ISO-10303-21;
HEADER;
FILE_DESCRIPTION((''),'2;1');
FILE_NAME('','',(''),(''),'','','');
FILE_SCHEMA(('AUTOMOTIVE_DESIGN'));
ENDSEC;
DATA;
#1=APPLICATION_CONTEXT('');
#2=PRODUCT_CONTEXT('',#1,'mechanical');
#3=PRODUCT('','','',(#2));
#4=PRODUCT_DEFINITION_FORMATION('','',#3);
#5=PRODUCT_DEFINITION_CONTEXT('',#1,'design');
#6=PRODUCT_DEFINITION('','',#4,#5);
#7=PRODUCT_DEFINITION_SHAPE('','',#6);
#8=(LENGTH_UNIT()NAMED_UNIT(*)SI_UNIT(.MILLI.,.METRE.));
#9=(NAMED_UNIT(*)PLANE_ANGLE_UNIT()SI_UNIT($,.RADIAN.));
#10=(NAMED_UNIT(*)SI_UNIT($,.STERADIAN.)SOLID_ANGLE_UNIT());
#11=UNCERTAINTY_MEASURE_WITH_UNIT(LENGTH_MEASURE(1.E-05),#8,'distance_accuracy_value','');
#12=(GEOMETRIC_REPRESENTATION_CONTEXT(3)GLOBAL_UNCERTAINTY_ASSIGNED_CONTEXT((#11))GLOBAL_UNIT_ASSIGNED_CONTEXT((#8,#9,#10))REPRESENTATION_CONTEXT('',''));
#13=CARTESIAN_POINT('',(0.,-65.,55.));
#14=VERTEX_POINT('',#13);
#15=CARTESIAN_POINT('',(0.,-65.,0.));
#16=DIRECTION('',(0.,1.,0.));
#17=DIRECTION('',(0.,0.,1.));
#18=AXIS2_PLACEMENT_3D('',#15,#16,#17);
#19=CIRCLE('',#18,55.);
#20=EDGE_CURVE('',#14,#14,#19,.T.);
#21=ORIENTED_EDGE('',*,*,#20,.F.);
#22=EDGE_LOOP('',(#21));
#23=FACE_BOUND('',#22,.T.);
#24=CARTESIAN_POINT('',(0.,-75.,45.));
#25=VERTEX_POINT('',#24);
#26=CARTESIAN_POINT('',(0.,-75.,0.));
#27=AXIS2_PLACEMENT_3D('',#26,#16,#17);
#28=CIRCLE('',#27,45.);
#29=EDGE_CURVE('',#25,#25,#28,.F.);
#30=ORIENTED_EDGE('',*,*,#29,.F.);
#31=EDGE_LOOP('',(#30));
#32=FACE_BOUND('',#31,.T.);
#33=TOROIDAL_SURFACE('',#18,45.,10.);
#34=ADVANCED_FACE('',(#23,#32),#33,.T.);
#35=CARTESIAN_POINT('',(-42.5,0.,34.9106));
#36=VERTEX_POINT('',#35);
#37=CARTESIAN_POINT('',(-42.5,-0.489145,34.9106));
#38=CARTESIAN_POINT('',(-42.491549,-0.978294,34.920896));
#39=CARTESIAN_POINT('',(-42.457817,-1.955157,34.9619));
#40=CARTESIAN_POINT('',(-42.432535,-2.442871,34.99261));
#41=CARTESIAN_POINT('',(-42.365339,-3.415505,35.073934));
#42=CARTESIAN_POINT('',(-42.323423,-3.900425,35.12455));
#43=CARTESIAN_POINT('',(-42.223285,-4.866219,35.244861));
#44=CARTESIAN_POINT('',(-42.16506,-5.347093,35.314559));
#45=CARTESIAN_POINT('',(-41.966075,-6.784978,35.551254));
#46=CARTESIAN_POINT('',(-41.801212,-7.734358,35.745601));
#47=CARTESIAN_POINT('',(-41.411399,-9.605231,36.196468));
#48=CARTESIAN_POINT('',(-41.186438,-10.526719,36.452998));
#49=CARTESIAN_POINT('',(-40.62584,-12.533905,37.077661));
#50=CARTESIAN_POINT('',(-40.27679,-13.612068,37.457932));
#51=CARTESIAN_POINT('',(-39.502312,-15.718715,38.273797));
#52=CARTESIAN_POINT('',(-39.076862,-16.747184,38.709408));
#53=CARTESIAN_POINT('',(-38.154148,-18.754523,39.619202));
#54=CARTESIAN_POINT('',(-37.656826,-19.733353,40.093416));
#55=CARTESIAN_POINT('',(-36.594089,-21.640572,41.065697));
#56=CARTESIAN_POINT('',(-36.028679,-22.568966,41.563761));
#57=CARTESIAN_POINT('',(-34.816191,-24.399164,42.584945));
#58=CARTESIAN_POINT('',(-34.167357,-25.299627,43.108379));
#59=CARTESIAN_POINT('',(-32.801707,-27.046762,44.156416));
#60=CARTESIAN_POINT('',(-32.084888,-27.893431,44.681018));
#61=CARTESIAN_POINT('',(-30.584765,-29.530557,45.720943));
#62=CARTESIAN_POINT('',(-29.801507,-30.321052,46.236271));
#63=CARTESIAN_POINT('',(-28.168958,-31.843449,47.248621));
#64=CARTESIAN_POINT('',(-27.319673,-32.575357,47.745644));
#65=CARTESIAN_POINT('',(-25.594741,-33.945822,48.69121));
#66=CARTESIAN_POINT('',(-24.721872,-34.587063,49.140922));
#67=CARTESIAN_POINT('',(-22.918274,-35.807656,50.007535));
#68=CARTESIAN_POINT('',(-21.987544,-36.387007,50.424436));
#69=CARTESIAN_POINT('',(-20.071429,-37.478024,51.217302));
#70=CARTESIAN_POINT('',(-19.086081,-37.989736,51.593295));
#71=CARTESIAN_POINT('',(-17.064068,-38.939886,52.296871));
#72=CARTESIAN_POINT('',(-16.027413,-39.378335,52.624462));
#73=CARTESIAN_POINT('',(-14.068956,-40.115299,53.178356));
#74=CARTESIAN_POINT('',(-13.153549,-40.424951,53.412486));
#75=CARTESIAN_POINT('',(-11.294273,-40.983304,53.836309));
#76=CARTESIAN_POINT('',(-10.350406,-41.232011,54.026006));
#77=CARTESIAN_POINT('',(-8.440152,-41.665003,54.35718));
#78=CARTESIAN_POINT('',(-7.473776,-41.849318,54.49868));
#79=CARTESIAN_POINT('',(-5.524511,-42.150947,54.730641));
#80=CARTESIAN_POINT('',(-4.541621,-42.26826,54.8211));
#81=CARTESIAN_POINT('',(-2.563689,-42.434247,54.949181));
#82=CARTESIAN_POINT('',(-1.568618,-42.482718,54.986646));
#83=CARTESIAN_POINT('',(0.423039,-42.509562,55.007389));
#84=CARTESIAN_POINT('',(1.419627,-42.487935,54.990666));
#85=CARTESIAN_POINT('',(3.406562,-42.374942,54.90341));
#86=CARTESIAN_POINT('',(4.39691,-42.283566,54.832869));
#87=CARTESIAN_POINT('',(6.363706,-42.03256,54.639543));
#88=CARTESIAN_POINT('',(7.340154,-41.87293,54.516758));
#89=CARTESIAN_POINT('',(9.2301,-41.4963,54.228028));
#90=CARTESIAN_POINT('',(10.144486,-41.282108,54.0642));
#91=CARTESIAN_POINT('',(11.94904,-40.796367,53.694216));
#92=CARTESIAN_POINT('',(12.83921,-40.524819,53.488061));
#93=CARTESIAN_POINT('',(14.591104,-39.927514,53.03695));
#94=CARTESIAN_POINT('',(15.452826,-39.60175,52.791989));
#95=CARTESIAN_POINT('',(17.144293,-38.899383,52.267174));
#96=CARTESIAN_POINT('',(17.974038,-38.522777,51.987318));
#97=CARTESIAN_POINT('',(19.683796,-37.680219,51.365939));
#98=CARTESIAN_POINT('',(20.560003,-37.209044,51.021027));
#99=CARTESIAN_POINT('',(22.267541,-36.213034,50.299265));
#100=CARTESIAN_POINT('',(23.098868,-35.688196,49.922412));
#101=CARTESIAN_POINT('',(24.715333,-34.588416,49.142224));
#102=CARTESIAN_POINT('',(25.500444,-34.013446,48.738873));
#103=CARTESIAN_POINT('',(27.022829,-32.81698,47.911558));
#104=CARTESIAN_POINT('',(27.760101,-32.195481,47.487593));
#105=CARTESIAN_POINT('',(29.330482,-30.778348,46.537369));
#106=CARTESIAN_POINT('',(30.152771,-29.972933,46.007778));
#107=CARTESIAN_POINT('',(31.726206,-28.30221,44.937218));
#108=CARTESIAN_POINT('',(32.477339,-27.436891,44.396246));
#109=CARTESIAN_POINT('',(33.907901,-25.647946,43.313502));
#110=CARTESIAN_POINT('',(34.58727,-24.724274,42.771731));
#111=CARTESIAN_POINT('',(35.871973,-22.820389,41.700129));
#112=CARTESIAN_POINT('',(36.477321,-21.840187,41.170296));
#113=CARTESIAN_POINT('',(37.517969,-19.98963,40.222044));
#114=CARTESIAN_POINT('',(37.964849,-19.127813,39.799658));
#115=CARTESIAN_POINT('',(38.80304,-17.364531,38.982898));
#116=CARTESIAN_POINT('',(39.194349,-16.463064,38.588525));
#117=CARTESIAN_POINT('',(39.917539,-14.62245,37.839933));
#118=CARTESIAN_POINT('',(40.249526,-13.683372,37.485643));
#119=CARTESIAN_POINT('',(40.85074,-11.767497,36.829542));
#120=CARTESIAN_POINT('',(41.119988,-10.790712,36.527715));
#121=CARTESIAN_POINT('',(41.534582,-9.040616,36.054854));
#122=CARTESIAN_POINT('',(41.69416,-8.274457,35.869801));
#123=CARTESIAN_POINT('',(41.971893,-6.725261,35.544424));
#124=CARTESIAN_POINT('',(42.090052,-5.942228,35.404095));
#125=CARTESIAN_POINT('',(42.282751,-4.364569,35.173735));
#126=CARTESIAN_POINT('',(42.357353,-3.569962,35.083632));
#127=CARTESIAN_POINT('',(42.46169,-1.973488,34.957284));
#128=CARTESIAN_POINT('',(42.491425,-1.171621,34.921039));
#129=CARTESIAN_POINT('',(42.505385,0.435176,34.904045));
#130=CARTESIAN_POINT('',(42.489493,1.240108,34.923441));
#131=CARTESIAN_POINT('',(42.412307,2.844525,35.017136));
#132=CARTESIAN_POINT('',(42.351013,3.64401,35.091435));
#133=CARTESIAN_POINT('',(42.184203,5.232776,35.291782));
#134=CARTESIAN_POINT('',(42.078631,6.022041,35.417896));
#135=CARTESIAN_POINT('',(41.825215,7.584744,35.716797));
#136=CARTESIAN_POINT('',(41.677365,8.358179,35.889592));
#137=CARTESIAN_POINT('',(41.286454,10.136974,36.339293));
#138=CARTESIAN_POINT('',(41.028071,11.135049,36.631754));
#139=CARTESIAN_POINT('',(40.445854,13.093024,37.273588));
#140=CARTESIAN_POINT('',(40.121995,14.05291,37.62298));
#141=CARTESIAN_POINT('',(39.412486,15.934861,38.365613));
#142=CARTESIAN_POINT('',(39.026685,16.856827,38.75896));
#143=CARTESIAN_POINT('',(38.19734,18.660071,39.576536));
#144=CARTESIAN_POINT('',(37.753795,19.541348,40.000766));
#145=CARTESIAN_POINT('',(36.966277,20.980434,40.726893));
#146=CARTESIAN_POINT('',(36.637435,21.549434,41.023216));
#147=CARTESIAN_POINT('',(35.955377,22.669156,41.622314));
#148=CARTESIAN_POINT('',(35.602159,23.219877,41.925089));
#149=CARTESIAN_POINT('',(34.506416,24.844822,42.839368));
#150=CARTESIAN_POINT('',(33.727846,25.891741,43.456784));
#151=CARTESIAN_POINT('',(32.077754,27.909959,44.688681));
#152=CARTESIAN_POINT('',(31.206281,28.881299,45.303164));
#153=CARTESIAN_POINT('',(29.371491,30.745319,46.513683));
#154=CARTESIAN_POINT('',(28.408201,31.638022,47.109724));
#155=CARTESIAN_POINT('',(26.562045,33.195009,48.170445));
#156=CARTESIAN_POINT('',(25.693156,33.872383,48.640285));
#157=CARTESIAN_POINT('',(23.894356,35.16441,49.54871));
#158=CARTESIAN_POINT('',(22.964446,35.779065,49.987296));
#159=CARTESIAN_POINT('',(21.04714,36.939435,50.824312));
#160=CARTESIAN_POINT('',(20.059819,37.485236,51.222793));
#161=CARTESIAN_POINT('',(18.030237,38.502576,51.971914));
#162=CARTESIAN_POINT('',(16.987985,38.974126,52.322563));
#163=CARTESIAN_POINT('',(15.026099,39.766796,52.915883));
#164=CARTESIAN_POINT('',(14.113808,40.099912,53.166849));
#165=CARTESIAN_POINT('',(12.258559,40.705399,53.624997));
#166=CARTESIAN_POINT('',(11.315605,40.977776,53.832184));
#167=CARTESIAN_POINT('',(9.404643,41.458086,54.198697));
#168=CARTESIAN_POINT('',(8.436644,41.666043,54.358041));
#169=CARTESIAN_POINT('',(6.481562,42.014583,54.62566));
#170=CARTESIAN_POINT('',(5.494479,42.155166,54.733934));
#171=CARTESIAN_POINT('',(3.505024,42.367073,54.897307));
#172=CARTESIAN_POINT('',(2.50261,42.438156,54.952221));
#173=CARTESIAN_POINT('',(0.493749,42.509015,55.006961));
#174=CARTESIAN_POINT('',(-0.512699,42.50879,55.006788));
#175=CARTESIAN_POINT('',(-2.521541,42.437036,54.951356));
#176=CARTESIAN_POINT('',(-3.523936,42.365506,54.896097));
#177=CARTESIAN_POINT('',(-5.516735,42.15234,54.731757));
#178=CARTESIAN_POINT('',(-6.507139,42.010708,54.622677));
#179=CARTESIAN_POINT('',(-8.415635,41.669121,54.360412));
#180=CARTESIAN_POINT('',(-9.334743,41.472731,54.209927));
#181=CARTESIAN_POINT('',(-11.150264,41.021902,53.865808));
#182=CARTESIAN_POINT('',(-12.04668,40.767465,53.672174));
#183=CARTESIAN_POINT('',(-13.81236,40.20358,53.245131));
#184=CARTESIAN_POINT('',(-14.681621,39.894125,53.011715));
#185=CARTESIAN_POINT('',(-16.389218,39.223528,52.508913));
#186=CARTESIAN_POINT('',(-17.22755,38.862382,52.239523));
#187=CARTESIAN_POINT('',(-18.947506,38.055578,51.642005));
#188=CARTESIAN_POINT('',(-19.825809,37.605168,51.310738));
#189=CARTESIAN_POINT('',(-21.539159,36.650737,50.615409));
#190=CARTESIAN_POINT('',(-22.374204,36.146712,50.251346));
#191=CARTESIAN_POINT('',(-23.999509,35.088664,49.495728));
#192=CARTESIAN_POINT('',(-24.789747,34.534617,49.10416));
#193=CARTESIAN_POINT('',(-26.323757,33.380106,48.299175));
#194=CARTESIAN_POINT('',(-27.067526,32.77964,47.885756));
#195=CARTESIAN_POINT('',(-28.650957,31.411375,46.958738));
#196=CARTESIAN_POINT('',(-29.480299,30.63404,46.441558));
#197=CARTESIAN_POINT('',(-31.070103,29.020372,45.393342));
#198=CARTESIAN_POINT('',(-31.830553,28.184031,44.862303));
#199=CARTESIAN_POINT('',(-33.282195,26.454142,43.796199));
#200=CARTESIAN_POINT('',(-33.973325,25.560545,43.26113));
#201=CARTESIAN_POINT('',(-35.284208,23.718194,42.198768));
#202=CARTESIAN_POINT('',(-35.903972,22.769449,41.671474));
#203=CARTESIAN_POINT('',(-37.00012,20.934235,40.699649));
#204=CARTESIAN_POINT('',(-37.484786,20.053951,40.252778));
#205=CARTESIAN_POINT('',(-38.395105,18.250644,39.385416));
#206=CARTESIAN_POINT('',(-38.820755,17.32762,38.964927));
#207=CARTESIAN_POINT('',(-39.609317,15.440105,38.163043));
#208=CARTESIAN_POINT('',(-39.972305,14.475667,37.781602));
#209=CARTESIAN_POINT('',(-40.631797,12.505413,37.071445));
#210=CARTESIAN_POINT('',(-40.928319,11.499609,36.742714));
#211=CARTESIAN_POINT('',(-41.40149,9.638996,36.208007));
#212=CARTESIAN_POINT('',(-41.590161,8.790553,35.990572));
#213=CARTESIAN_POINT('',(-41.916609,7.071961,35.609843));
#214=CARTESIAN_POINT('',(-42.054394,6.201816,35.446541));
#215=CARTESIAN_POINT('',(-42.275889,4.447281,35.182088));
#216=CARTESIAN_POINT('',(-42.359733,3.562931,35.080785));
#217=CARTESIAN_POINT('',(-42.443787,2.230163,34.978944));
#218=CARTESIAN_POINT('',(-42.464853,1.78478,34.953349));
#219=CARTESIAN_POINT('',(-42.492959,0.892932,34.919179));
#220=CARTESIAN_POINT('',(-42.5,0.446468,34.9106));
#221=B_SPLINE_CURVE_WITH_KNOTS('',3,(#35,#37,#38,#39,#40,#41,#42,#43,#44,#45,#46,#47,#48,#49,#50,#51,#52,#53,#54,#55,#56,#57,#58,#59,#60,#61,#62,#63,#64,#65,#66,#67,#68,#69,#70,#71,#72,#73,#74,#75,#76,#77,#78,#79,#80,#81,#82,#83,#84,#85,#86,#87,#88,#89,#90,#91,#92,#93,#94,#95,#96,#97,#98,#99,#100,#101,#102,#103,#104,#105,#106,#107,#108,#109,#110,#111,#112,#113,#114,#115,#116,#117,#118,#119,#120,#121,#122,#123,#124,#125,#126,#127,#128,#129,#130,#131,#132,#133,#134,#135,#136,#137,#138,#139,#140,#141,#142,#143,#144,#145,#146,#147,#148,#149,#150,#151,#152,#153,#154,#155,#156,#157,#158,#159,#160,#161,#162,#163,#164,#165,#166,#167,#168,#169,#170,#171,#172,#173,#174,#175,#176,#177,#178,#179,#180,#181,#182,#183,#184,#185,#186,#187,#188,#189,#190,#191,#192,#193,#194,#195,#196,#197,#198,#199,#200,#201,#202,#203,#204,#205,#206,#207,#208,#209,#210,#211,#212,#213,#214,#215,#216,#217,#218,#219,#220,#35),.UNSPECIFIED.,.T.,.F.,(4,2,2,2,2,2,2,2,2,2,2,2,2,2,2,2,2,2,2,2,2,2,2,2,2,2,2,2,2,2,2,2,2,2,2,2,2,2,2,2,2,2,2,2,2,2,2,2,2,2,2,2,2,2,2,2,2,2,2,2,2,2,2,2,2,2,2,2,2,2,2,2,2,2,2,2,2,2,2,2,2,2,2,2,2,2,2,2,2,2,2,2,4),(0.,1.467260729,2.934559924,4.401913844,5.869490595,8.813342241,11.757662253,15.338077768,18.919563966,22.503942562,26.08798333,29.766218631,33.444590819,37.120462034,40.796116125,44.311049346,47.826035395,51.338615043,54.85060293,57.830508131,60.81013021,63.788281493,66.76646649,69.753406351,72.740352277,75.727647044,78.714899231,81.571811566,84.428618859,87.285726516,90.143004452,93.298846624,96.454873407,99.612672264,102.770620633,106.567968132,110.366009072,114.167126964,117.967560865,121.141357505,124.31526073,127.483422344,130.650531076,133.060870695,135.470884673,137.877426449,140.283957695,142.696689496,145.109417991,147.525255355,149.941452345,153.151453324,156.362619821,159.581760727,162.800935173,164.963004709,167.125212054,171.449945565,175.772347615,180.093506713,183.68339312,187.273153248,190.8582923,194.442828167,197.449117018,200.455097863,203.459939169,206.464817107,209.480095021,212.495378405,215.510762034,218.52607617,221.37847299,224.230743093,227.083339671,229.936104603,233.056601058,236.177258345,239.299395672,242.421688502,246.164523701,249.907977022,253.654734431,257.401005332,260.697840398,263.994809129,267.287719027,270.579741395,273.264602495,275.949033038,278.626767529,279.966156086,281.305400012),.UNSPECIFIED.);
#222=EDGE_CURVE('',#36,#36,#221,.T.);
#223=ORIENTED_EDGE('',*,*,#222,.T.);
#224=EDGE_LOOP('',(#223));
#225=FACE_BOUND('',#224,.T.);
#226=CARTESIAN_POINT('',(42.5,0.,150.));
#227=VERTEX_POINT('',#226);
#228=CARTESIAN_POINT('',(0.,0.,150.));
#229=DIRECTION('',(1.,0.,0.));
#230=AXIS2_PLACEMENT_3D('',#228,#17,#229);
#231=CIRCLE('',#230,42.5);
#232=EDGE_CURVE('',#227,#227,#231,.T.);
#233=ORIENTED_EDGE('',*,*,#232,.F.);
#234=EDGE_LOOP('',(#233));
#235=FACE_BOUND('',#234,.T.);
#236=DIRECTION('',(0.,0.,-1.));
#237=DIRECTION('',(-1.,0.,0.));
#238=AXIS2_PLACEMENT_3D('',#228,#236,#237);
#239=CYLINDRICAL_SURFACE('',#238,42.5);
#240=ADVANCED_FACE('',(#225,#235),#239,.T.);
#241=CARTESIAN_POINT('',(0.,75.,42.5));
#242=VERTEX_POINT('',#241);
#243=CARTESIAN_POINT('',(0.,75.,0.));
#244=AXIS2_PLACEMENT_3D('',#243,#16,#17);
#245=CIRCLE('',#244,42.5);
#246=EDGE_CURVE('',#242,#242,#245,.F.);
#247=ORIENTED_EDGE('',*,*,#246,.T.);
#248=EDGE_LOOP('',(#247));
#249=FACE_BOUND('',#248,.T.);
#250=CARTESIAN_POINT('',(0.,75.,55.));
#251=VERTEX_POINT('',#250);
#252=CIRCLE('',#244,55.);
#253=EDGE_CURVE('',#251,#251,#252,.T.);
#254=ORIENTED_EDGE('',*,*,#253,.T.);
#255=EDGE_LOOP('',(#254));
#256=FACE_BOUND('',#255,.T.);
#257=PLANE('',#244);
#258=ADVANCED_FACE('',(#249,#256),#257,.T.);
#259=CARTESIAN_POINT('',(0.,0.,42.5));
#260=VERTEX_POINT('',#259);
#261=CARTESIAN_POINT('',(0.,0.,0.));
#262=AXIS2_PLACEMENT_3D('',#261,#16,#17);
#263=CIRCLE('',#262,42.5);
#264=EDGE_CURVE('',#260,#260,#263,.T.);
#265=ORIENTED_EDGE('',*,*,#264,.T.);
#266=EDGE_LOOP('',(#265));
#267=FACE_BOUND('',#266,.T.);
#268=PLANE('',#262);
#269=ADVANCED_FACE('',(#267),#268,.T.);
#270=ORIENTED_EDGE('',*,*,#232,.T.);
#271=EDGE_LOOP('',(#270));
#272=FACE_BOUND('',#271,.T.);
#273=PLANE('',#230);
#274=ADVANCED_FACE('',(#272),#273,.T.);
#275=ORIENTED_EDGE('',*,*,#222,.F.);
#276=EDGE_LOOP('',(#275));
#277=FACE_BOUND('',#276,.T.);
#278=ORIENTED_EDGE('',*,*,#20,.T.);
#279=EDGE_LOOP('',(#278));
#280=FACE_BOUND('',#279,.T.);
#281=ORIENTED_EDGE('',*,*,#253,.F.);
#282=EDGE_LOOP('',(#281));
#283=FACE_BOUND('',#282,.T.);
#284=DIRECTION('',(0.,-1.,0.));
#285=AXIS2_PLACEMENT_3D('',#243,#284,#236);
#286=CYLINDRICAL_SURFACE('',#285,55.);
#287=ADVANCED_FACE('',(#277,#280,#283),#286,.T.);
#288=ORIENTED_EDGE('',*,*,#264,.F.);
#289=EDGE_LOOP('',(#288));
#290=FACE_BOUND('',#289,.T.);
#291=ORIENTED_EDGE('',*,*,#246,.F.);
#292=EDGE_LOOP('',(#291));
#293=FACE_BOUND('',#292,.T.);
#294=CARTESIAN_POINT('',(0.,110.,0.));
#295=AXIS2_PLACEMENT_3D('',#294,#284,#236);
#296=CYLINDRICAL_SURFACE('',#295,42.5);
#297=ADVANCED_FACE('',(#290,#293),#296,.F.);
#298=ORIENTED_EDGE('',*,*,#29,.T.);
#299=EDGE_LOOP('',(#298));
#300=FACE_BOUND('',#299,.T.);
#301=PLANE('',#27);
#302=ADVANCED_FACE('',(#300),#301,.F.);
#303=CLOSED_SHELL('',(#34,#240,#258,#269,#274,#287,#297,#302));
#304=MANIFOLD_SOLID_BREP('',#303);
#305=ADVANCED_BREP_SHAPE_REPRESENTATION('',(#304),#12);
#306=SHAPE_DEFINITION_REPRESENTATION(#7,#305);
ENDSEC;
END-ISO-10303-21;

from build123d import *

# Parameters (mm, degrees)
SKETCH1_R           = 55
BOSS_EXTRUDE1_DEPTH = 75
SKETCH2_R           = 42.5
BOSS_EXTRUDE2_DEPTH = 150
FILLET2_R           = 10
SKETCH3_R           = 42.5
CUT_EXTRUDE1_DEPTH  = 110


with BuildPart() as part:
    # Sketch1 → Boss-Extrude1 (new body, symmetric)
    with BuildSketch(Plane(origin=(0, 0, 0), x_dir=(1, 0, 0), z_dir=(0, 1, 0))):
        Circle(SKETCH1_R)
    extrude(amount=BOSS_EXTRUDE1_DEPTH, both=True)

    # Sketch2 → Boss-Extrude2 (add)
    with BuildSketch(Plane.XY):
        Circle(SKETCH2_R)
    extrude(amount=BOSS_EXTRUDE2_DEPTH)

    # Fillet2
    fillet2_edges = [part.edges().sort_by_distance(p)[0] for p in [
        (-55, -75, 0),
    ]]
    fillet(fillet2_edges, radius=FILLET2_R)

    # Sketch3 → Cut-Extrude1 (cut)
    with BuildSketch(Plane(origin=(0, 0, 0), x_dir=(1, 0, 0), z_dir=(0, 1, 0))):
        Circle(SKETCH3_R)
    extrude(amount=CUT_EXTRUDE1_DEPTH, mode=Mode.SUBTRACT)


solid = part.part
